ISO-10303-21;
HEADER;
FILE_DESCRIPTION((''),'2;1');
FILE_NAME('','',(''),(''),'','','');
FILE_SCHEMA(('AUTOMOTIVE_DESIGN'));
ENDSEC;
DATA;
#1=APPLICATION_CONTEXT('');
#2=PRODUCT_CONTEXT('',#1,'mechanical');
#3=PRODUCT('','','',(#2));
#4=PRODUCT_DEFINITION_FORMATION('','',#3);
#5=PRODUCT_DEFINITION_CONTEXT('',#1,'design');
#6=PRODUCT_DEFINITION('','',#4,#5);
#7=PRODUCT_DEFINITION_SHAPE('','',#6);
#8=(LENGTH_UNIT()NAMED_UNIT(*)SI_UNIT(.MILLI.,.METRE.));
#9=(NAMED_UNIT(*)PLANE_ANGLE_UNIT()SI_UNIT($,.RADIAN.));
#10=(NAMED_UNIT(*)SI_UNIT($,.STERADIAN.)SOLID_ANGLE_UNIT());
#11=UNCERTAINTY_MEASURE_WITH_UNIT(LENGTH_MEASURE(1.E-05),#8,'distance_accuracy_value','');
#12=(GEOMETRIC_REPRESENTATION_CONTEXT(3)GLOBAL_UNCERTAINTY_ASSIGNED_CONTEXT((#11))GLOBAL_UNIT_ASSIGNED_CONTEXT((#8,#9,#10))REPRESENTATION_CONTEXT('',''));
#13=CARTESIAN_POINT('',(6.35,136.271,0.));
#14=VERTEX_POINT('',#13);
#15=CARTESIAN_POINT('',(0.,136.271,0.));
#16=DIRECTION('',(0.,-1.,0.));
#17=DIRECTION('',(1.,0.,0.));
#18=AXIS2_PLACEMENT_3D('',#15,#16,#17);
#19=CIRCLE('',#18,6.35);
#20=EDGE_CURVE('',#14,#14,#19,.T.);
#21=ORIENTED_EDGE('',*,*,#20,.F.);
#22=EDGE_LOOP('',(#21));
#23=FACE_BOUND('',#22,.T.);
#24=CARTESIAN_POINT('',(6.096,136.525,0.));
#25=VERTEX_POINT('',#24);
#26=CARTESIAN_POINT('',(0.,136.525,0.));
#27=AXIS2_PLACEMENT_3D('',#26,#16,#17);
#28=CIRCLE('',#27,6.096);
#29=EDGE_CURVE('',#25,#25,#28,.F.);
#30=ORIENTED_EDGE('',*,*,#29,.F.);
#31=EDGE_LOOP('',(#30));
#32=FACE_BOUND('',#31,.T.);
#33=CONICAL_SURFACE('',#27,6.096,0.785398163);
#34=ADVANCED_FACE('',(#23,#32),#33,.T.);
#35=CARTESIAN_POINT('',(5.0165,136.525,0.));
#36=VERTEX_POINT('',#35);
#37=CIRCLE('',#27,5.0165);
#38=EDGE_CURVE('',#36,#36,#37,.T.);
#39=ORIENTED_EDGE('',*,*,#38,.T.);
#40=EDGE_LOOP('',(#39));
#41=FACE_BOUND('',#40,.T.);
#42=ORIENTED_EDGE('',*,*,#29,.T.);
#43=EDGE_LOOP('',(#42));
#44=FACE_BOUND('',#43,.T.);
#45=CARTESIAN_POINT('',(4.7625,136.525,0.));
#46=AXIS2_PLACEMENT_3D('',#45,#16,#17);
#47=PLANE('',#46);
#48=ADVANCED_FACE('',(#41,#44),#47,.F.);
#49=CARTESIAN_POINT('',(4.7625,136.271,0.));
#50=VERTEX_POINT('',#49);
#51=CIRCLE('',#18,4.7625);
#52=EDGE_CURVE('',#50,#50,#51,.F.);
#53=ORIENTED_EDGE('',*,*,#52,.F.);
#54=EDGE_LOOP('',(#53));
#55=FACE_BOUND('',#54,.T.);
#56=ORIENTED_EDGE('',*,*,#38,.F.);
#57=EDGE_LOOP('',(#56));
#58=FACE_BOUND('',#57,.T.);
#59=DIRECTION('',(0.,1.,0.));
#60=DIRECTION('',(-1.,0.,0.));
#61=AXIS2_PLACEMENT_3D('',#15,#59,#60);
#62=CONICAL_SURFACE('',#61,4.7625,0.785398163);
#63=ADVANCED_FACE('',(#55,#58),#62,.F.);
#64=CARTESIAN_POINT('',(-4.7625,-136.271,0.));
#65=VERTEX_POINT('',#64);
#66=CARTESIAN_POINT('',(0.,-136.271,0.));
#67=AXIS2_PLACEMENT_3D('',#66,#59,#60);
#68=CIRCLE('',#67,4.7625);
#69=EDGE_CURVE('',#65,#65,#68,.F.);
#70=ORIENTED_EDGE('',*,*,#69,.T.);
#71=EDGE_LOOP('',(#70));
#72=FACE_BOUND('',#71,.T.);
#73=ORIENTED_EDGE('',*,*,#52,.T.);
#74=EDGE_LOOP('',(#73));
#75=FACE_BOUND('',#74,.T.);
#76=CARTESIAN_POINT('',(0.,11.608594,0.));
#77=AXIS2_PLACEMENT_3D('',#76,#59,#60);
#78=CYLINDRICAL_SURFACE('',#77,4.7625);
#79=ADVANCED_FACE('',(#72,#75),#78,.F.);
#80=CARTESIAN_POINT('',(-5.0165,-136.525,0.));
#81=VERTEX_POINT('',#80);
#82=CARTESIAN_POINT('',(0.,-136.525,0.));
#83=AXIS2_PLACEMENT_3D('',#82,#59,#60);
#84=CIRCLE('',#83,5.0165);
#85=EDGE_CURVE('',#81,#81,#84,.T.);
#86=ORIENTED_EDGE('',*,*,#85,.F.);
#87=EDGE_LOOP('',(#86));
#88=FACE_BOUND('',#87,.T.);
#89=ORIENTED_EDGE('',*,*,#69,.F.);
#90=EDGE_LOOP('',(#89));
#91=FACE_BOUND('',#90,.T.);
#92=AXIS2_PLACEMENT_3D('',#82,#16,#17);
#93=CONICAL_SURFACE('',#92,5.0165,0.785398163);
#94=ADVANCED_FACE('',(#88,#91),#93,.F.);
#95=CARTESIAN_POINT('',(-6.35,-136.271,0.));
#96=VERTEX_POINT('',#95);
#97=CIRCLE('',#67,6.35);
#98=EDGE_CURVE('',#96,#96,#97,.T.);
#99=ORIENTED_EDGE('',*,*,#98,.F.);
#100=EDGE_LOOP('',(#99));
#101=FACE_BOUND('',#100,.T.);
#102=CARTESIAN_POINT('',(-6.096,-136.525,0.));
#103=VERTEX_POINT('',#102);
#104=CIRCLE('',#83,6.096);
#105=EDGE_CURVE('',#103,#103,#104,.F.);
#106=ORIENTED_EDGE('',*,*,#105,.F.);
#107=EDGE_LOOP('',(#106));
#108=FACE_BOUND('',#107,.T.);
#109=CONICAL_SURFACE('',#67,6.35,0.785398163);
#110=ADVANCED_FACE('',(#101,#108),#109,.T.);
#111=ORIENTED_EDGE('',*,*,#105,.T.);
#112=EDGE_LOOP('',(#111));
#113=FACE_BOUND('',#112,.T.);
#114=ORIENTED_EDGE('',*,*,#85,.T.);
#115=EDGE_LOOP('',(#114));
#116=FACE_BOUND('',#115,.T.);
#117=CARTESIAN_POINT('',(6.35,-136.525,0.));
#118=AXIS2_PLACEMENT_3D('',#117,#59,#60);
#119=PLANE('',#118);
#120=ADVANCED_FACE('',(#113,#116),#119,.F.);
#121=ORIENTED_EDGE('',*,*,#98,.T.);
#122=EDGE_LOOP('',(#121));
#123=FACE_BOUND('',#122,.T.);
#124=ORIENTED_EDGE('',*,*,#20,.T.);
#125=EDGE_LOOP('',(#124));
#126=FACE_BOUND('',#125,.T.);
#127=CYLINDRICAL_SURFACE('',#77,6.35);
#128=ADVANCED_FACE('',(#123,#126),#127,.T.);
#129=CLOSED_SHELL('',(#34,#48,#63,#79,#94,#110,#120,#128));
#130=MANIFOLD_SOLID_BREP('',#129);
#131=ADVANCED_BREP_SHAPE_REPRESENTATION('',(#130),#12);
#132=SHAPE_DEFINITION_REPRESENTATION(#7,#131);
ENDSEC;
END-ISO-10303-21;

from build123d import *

# Parameters (mm, degrees)
SKETCH1_W     = 1.5875
SKETCH1_H     = 273.05
CHAMFER1_SIZE = 0.254


with BuildPart() as part:
    # Sketch1 → Revolve1 (revolve)
    with BuildSketch(Plane.XY):
        with Locations((5.55625, 0)):
            Rectangle(SKETCH1_W, SKETCH1_H)
    revolve(axis=Axis((0, 11.60859375, 0), (0, -1, 0)))

    # Chamfer1
    chamfer1_edges = [part.edges().sort_by_distance(p)[0] for p in [
        (-4.7625, -136.525, 0),
        (-6.35, -136.525, 0),
        (-6.35, 136.525, 0),
        (-4.7625, 136.525, 0),
    ]]
    chamfer(chamfer1_edges, length=CHAMFER1_SIZE)


solid = part.part
